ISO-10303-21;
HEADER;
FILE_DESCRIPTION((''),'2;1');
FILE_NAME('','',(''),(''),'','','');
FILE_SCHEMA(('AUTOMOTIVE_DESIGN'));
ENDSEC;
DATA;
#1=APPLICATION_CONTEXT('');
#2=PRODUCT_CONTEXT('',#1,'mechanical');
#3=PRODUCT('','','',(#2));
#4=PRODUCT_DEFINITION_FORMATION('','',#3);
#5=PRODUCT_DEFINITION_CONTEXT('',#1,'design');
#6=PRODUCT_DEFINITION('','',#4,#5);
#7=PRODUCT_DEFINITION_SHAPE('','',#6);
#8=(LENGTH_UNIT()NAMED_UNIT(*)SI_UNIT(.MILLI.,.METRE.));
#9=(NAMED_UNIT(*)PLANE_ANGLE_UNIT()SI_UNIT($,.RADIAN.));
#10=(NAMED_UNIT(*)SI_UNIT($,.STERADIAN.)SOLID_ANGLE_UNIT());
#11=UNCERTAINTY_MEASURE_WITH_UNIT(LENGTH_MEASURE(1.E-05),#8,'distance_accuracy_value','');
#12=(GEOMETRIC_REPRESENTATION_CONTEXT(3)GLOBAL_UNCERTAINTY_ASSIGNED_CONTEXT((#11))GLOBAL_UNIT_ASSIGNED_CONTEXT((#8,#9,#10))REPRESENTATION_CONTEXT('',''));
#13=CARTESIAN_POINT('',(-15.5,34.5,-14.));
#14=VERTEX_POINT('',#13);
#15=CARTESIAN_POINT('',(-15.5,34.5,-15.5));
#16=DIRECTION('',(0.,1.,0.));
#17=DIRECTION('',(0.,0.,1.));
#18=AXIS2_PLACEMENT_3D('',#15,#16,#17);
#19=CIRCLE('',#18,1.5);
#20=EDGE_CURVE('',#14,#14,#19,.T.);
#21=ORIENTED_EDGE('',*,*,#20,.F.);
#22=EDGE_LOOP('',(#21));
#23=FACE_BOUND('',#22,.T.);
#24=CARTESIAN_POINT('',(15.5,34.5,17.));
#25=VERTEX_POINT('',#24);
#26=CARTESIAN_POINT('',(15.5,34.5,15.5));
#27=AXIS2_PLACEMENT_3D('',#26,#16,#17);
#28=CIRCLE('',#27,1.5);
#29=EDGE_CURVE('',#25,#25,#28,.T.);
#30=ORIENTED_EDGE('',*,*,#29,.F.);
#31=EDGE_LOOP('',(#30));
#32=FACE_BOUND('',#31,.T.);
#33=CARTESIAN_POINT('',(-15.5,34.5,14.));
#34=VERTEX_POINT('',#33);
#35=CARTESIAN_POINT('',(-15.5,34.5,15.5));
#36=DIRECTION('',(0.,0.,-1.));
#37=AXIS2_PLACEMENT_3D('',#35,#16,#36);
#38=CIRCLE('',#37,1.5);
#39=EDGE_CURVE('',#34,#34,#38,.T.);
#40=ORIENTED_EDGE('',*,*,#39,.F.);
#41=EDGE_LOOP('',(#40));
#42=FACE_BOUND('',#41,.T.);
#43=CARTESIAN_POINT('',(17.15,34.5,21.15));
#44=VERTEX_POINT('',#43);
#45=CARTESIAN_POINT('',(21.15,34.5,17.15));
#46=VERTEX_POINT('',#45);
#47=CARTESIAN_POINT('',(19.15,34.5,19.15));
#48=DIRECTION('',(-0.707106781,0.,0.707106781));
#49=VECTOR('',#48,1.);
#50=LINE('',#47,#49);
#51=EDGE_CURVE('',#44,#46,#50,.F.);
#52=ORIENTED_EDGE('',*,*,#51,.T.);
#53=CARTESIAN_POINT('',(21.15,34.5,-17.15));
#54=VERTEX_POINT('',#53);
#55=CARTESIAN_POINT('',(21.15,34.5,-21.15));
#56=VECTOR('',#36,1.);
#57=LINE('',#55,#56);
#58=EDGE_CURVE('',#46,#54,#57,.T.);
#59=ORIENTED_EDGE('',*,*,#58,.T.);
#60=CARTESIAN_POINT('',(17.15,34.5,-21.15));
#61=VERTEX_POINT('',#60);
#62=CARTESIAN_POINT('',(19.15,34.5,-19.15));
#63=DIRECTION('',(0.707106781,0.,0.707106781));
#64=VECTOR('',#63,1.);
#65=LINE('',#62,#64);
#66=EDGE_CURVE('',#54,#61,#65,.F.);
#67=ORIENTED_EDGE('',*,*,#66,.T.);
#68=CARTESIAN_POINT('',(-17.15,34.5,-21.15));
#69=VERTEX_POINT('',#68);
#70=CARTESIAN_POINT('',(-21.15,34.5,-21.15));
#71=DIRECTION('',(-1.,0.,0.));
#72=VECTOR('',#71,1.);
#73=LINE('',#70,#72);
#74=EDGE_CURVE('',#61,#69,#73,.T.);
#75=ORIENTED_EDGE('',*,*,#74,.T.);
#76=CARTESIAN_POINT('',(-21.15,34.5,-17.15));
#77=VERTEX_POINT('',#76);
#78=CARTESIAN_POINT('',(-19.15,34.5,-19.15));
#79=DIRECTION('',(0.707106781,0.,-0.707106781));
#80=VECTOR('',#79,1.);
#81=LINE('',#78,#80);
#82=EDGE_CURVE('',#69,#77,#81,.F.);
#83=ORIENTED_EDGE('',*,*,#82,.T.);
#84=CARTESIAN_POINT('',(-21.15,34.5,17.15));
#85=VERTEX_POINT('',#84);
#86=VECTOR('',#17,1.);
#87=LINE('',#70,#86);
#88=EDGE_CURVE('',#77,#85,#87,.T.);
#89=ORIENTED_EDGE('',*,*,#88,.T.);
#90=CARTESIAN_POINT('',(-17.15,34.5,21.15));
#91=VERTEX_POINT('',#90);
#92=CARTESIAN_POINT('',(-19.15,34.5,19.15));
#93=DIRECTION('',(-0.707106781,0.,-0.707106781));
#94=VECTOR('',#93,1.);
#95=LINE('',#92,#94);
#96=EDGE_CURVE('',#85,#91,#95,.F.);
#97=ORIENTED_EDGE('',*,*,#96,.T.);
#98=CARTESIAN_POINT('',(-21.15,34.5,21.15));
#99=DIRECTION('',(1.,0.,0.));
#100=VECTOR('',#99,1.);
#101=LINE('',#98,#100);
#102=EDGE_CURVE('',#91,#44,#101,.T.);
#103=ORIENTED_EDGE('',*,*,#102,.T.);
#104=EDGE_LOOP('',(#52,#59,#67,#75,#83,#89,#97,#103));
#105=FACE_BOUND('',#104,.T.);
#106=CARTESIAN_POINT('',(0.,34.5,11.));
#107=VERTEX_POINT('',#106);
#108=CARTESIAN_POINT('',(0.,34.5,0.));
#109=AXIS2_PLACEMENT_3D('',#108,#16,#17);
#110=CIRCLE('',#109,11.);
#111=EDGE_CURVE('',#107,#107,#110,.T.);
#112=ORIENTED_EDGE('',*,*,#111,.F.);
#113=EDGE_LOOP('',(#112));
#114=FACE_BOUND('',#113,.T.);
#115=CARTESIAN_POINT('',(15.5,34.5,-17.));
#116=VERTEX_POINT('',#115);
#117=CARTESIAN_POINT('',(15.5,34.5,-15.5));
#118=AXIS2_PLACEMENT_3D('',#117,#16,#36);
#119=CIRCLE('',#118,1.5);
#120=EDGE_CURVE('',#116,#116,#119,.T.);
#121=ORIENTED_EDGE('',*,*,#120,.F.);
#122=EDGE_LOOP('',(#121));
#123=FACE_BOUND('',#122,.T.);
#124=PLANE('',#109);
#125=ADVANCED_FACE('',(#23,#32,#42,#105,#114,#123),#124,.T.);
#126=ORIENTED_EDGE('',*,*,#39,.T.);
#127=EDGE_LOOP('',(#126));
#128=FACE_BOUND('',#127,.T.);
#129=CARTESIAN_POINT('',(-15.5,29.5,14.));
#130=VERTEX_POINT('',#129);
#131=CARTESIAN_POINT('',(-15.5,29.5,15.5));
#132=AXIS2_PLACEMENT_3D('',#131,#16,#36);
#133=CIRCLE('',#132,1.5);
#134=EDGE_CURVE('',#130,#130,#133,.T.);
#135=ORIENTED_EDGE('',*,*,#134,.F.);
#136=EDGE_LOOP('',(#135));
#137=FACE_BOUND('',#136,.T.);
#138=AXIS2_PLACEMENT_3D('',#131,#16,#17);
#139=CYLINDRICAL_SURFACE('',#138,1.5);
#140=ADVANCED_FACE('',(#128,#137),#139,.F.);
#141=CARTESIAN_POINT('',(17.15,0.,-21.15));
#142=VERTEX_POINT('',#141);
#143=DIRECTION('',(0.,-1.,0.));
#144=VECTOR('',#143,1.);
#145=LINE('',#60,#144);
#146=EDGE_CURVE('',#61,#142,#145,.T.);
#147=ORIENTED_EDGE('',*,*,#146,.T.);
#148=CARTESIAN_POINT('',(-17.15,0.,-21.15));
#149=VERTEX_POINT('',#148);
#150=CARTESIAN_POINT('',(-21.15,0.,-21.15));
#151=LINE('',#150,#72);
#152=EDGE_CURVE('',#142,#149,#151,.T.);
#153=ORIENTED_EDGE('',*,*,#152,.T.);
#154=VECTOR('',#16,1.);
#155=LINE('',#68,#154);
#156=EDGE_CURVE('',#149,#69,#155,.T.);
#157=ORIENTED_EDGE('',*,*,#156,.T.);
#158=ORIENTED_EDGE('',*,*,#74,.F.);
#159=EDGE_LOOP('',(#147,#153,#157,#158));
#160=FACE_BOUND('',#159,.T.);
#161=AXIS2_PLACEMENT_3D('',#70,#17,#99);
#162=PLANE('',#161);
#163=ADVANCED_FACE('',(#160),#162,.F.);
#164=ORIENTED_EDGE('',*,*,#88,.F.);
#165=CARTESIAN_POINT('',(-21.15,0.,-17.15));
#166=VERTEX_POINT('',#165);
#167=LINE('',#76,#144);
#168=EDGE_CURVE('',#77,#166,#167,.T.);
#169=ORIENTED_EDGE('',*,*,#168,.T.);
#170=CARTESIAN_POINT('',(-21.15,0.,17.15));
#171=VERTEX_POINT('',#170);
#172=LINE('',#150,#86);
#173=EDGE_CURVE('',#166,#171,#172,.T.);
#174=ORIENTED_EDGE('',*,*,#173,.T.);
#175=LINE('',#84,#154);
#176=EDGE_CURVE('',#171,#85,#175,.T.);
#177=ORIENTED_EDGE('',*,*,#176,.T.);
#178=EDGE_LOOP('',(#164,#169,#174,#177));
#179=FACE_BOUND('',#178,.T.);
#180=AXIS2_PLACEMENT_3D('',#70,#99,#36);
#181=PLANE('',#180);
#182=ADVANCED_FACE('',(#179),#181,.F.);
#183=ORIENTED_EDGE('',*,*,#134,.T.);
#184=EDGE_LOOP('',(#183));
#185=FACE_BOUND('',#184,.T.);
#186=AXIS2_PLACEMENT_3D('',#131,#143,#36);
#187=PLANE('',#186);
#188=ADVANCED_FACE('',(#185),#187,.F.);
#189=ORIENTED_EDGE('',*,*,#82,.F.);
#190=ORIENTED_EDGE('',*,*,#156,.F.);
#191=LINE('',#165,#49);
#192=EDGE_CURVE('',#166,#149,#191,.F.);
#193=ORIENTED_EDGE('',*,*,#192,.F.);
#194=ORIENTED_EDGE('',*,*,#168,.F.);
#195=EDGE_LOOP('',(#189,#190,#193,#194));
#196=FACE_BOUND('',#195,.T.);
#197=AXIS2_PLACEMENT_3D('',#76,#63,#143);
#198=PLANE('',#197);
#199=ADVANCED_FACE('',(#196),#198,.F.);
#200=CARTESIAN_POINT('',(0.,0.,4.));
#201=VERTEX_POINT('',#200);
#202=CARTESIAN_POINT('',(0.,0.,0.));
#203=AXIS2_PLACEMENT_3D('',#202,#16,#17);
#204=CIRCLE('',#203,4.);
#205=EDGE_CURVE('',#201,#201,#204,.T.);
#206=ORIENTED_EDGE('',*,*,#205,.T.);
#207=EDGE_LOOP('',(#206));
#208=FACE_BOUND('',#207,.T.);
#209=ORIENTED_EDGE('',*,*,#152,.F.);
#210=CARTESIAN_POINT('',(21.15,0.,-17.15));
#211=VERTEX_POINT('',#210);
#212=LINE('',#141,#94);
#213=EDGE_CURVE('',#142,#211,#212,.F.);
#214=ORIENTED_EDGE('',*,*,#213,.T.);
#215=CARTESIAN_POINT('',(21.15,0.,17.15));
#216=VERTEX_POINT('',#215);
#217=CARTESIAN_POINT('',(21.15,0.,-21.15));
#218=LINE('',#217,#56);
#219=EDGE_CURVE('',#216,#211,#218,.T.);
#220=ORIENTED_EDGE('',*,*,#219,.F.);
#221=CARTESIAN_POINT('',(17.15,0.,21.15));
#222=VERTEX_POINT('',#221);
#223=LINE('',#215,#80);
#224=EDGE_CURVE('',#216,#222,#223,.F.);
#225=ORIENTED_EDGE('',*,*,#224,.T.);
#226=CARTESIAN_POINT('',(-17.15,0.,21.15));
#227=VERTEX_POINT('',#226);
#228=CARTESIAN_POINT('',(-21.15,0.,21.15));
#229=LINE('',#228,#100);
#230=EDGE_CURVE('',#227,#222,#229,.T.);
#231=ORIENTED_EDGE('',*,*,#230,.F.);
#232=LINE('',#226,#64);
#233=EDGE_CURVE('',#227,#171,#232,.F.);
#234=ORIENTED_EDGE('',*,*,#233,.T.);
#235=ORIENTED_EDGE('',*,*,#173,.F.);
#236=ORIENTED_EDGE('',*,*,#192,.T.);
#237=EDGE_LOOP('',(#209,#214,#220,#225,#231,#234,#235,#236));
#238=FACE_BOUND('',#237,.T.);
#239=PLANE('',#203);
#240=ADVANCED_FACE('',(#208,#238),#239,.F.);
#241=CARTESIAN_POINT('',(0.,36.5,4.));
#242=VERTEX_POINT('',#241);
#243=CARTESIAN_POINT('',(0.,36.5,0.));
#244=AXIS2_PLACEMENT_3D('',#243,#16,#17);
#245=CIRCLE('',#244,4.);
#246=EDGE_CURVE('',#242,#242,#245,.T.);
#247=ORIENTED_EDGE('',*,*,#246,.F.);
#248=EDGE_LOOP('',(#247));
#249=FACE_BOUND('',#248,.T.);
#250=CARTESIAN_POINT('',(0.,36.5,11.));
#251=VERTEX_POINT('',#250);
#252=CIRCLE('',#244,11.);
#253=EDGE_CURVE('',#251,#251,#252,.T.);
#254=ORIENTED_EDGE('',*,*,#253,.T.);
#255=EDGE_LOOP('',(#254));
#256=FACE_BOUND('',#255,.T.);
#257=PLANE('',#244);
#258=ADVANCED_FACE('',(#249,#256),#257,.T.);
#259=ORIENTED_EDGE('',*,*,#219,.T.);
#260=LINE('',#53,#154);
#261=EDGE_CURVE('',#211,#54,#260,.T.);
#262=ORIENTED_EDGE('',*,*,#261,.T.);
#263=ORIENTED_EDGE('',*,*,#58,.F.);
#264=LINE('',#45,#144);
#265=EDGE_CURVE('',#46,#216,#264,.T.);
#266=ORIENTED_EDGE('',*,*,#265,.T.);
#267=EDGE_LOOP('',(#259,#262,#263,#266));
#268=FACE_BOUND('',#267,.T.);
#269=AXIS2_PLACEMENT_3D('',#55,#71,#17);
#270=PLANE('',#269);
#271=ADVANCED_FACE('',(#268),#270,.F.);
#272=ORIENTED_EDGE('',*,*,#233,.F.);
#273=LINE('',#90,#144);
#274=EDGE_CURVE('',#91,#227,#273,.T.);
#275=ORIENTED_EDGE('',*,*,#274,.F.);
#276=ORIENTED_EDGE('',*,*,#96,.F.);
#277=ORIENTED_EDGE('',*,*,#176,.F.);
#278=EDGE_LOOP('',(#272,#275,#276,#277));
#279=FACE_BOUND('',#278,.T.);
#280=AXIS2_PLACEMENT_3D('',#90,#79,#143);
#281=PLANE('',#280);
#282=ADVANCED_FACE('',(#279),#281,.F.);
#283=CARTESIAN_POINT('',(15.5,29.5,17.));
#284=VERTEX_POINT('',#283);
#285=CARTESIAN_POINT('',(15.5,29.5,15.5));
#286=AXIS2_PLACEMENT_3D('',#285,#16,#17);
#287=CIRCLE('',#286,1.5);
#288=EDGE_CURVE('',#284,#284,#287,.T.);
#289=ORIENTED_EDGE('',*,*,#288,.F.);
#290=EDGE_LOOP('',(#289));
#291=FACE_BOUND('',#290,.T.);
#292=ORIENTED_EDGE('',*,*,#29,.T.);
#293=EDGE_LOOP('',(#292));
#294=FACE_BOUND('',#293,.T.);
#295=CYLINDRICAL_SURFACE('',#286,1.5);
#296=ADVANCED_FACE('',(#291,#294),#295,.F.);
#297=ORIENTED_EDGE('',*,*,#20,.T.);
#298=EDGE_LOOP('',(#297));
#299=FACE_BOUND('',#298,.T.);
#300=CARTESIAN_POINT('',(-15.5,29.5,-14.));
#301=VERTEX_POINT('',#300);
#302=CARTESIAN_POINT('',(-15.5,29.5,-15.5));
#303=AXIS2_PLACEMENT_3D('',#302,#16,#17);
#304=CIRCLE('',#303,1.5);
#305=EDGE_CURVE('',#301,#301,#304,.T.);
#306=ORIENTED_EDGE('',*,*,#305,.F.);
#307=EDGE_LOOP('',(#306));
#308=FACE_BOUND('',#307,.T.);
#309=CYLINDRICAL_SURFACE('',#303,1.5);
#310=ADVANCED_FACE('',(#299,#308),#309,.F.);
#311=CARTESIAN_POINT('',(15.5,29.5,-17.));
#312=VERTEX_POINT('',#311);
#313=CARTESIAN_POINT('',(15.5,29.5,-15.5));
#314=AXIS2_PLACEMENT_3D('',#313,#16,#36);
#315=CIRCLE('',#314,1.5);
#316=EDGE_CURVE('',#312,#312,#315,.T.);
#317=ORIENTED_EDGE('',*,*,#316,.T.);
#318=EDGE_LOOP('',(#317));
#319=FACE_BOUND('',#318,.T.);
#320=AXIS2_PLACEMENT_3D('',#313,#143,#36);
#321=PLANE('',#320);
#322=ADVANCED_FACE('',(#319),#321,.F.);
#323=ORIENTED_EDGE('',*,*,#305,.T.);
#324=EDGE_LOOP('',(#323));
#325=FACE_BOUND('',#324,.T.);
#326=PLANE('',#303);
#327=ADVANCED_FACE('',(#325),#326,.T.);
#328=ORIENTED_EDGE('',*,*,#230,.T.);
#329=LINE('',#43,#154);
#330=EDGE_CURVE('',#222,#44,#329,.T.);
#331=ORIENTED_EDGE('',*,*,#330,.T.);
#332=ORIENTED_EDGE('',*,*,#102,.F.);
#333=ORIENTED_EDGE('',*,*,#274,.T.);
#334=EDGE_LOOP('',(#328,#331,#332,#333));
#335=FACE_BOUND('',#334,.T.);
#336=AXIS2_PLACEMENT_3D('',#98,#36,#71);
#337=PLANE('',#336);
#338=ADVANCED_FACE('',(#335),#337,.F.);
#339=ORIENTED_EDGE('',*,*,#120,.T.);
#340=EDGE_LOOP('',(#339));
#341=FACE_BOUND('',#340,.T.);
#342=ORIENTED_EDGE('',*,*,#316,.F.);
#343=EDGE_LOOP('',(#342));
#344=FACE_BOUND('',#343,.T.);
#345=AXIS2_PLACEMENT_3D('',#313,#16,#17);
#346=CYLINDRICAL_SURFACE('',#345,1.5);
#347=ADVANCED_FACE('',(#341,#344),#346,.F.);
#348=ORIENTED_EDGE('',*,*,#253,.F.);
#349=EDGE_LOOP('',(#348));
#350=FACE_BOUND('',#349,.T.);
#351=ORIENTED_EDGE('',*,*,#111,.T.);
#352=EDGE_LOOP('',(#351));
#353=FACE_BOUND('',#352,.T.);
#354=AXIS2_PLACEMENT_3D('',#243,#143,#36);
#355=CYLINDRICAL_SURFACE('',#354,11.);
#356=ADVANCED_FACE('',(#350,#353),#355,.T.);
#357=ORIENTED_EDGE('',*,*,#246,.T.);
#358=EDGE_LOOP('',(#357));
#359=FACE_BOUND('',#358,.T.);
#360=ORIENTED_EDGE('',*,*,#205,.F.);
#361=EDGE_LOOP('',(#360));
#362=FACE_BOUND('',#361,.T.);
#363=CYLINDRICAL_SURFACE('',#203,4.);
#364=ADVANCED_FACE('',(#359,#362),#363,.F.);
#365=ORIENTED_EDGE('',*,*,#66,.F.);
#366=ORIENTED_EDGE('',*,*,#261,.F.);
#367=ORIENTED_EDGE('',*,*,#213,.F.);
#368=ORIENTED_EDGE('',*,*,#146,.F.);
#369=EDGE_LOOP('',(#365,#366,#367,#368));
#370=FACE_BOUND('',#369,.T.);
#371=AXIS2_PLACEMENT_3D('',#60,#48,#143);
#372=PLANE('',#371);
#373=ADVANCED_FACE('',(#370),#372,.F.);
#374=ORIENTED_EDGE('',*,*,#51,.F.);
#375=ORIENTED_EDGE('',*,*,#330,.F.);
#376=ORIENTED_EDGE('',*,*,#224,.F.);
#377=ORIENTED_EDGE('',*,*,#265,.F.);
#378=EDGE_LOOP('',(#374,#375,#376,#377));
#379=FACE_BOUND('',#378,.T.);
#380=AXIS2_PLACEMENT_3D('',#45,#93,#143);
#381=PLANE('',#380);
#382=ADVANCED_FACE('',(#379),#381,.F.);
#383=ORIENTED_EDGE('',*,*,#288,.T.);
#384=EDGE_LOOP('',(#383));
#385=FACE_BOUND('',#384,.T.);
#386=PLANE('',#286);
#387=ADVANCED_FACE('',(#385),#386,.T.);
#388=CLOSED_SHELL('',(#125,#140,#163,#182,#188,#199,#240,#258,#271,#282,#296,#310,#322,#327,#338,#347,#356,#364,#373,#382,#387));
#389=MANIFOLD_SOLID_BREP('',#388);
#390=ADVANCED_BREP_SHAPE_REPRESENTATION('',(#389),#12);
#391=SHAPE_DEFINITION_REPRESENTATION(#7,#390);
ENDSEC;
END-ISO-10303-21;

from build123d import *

# Parameters (mm, degrees)
SKETCH_1_W          = 42.3
SKETCH_1_H          = 42.3
EXTRUDE_1_DEPTH     = 34.5
SKETCH_2_R          = 11
EXTRUDE_2_DEPTH     = 2
SKETCH_3_R          = 1.5
CUT_EXTRUDE_1_DEPTH = 5
SKETCH_4_R          = 4
CUT_EXTRUDE_2_DEPTH = 37.5
CHAMFER_1_SIZE      = 4


with BuildPart() as part:
    # 草图1 → 凸台-拉伸1 (new body)
    with BuildSketch(Plane(origin=(0, 0, 0), x_dir=(1, 0, 0), z_dir=(0, 1, 0))):
        Rectangle(SKETCH_1_W, SKETCH_1_H)
    extrude(amount=EXTRUDE_1_DEPTH)

    # 草图2 → 凸台-拉伸2 (add)
    with BuildSketch(Plane(origin=(0, 34.5, 0), x_dir=(1, 0, 0), z_dir=(0, 1, 0))):
        Circle(SKETCH_2_R)
    extrude(amount=EXTRUDE_2_DEPTH)

    # 草图3 → 切除-拉伸1 (cut)
    with BuildSketch(Plane(origin=(0, 34.5, 0), x_dir=(1, 0, 0), z_dir=(0, 1, 0))):
        with Locations((-15.5, 15.5)):
            Circle(SKETCH_3_R)
        with Locations((15.5, 15.5)):
            Circle(SKETCH_3_R)
        with Locations((15.5, -15.5)):
            Circle(SKETCH_3_R)
        with Locations((-15.5, -15.5)):
            Circle(SKETCH_3_R)
    extrude(amount=-CUT_EXTRUDE_1_DEPTH, mode=Mode.SUBTRACT)

    # 草图4 → 切除-拉伸2 (cut, through all)
    with BuildSketch(Plane(origin=(0, 36.5, 0), x_dir=(1, 0, 0), z_dir=(0, 1, 0))):
        Circle(SKETCH_4_R)
    extrude(amount=-CUT_EXTRUDE_2_DEPTH, mode=Mode.SUBTRACT)

    # 倒角1
    chamfer_1_edges = [part.edges().sort_by_distance(p)[0] for p in [
        (21.15, 17.25, 21.15),
        (-21.15, 17.25, 21.15),
        (-21.15, 17.25, -21.15),
        (21.15, 17.25, -21.15),
    ]]
    chamfer(chamfer_1_edges, length=CHAMFER_1_SIZE)


solid = part.part
